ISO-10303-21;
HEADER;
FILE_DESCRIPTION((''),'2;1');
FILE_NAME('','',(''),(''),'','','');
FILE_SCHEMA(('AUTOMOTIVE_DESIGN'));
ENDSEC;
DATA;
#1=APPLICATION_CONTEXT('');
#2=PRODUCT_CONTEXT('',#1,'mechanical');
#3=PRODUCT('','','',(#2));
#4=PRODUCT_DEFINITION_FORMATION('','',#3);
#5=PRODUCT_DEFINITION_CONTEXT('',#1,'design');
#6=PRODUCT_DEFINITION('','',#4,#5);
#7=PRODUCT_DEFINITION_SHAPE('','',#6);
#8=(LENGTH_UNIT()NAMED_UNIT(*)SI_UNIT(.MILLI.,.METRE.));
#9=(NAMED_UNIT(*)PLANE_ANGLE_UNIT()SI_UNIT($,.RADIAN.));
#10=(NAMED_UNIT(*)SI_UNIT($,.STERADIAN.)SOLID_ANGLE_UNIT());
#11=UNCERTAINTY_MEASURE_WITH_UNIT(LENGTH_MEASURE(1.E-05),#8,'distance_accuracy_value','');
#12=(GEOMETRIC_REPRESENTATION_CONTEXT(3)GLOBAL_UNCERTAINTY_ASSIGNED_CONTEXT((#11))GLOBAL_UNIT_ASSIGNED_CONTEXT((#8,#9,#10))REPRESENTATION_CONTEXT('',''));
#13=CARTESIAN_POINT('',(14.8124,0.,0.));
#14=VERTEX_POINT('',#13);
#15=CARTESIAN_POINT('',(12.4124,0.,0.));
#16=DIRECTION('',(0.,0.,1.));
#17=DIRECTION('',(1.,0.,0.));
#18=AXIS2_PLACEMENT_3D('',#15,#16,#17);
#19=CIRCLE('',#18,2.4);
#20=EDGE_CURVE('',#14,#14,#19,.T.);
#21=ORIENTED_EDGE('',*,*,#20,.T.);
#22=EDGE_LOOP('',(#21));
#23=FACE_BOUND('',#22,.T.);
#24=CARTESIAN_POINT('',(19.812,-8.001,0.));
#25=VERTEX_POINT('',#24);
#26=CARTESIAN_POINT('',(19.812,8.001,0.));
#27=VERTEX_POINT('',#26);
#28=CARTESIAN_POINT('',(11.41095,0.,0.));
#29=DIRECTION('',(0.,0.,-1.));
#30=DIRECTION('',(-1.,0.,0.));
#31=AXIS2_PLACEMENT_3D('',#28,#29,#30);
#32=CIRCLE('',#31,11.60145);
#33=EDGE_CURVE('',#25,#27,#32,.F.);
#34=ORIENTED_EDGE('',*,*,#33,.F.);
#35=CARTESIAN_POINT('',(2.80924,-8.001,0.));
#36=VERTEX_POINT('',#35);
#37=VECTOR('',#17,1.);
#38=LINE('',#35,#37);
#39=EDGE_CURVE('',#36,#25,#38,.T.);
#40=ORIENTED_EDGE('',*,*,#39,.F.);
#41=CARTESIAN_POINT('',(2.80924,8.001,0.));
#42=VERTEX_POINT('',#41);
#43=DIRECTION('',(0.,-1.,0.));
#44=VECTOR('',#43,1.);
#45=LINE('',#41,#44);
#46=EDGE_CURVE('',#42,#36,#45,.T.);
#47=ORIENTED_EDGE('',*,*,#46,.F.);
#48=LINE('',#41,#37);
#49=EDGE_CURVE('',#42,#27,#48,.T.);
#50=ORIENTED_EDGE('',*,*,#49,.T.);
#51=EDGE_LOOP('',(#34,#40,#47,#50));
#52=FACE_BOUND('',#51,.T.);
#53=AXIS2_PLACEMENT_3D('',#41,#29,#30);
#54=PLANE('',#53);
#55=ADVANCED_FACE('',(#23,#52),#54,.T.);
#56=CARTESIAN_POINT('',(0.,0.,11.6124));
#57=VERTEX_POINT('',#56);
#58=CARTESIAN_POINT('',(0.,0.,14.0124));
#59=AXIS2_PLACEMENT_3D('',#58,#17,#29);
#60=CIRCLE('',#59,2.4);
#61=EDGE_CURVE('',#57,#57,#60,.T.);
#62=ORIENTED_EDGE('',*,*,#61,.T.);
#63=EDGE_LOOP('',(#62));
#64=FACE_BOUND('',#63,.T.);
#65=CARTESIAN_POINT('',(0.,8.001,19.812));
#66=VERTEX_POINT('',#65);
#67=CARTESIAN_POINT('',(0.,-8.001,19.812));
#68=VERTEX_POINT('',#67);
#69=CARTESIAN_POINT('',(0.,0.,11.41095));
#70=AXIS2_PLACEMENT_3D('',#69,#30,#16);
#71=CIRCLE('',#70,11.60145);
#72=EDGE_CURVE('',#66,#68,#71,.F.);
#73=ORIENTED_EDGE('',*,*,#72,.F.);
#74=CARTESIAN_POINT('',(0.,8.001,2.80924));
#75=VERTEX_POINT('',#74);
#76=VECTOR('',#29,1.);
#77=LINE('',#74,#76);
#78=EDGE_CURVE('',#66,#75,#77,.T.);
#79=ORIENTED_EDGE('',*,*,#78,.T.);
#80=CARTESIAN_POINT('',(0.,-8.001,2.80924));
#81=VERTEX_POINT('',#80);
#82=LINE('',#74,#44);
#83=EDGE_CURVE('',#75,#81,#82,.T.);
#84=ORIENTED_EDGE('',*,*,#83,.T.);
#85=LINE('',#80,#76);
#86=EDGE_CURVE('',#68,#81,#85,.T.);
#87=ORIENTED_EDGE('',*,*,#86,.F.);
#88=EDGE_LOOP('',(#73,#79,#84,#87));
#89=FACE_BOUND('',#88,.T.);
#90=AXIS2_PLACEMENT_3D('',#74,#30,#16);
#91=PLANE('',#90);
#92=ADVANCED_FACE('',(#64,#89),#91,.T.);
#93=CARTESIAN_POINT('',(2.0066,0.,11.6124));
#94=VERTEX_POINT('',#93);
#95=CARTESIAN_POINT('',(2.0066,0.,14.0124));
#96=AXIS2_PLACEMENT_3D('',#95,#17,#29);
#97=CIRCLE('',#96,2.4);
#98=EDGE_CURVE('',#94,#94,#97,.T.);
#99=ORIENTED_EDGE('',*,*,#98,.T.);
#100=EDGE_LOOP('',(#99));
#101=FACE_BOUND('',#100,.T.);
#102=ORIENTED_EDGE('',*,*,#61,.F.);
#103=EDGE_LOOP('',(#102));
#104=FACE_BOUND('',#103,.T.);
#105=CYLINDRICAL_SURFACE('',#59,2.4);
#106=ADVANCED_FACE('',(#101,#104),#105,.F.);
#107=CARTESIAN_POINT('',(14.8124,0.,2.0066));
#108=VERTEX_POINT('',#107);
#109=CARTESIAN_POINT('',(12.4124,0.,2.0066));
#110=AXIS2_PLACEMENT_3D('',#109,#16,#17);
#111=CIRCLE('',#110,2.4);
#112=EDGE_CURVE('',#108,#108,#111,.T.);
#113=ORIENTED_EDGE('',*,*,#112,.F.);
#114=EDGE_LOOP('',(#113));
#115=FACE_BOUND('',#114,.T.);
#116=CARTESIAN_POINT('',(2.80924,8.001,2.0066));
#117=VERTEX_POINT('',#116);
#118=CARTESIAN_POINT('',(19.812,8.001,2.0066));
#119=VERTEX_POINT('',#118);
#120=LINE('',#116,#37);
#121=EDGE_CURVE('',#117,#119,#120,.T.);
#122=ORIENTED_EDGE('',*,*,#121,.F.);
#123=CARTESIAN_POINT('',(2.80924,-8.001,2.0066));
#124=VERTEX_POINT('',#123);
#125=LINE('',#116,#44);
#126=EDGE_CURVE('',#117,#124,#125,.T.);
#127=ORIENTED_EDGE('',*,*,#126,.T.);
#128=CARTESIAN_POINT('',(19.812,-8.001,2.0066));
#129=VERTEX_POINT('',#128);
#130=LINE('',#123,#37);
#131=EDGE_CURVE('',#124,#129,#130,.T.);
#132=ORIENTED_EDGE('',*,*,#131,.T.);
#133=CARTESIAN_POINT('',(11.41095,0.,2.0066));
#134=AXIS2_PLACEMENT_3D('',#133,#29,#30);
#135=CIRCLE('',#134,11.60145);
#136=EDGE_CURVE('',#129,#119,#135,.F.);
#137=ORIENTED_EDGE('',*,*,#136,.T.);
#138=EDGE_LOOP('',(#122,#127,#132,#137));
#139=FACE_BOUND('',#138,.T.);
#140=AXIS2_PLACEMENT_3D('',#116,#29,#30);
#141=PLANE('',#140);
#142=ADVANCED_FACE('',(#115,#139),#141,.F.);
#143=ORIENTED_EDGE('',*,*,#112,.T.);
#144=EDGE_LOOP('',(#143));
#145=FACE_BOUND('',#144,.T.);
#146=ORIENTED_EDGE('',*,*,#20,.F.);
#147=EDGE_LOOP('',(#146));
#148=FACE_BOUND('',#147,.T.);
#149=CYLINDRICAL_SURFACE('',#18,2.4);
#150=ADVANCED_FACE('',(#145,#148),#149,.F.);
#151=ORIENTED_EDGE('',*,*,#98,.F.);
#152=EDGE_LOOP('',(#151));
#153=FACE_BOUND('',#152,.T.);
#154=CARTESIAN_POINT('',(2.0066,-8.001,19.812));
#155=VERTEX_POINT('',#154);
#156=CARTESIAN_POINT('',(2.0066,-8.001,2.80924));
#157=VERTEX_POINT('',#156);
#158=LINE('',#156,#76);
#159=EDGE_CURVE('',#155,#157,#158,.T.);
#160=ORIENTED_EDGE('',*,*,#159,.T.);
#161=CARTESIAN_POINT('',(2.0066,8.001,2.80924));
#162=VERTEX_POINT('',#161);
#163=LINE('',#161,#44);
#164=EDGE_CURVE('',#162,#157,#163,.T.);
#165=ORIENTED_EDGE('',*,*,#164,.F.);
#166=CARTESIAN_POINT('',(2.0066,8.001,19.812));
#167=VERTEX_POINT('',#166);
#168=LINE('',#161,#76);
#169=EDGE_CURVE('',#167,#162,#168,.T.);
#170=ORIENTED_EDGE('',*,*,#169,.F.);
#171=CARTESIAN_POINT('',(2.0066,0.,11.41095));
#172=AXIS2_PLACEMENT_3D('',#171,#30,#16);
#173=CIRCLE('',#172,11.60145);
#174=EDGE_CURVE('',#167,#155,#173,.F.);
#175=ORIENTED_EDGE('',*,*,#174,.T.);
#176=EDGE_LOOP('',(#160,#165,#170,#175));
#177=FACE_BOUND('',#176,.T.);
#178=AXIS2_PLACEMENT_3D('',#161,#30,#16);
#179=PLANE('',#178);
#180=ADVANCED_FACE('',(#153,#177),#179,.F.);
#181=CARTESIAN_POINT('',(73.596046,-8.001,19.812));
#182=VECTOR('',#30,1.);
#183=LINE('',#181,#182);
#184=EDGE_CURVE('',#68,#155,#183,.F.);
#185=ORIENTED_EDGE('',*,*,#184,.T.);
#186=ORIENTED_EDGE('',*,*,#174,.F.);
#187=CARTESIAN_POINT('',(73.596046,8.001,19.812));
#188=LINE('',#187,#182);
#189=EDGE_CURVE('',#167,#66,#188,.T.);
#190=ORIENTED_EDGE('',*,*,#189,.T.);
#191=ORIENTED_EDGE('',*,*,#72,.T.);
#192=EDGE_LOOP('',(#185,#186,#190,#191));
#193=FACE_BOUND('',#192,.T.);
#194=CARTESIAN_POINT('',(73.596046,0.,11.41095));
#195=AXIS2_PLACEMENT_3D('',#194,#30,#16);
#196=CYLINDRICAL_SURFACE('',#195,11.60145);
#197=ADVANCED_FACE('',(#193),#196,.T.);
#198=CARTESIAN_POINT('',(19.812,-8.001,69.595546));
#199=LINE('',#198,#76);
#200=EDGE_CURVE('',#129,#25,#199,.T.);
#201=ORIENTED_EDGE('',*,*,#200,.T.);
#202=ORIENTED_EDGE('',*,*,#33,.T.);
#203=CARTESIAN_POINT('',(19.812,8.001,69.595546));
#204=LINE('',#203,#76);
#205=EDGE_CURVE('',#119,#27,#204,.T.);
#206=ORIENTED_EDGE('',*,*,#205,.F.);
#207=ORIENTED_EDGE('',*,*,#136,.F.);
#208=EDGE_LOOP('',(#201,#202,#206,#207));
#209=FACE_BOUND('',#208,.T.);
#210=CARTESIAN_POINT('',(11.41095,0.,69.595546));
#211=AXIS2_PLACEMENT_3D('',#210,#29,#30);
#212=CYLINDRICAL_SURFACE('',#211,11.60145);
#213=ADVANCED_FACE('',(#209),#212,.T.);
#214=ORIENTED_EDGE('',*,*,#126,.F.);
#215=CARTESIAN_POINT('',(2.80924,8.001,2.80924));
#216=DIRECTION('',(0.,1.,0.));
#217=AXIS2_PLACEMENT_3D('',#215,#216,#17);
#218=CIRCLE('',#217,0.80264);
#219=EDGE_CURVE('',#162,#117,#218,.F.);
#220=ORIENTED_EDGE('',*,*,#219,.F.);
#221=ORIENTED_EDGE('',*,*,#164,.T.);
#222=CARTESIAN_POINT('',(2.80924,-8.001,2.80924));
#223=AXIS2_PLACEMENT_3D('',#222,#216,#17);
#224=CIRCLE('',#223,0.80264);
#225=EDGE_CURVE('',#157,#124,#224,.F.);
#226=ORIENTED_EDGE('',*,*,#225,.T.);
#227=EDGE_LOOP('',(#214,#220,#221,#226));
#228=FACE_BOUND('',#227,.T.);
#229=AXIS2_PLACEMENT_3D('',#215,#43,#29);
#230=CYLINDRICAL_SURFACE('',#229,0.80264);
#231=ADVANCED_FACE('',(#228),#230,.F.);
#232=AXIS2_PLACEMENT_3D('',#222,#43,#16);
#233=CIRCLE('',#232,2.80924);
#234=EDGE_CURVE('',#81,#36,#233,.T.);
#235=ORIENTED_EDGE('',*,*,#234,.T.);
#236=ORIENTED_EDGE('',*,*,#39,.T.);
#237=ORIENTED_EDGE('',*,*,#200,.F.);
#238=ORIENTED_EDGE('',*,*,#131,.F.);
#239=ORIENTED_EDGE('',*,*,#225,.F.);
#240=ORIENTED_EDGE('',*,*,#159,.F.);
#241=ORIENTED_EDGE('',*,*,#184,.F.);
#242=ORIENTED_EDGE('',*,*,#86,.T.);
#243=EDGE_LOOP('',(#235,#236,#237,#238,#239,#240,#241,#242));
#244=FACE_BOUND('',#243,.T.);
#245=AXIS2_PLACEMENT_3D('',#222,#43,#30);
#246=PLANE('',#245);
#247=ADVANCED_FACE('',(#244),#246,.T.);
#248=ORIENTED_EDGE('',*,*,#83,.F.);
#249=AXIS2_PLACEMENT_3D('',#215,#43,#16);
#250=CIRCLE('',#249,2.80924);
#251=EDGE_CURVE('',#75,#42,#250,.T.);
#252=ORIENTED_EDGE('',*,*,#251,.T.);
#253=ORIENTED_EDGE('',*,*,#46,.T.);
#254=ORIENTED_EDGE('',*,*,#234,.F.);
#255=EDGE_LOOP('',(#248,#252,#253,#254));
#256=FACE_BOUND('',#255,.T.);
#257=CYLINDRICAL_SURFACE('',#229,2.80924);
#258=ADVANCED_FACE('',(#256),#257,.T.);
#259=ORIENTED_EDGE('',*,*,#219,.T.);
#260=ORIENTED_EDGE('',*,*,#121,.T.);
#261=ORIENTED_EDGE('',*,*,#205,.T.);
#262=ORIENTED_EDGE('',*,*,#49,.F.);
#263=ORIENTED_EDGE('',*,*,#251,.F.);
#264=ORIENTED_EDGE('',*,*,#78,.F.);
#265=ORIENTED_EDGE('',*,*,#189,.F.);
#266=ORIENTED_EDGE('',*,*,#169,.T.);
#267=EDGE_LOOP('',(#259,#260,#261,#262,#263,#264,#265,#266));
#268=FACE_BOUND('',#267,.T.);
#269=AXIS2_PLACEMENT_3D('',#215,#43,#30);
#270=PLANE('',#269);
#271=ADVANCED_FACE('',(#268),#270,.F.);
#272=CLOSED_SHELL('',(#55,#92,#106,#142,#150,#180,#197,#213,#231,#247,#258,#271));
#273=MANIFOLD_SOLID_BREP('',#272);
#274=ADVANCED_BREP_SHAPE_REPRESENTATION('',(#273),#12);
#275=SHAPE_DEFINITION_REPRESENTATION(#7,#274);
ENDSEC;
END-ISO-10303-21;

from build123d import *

# Parameters (mm, degrees)
EXTRUDE_THIN1_DEPTH     = 8.001
CUT_EXTRUDE1_DEPTH      = 22.0058
CUT_EXTRUDE1_DEPTH_BACK = 3.0066
SKETCH7_R               = 2.4
CUT_EXTRUDE3_DEPTH      = 3.0066
CUT_EXTRUDE2_DEPTH      = 22.0058
CUT_EXTRUDE2_DEPTH_BACK = 3.0066
SKETCH8_R               = 2.4
CUT_EXTRUDE4_DEPTH      = 3.0066


with BuildPart() as part:
    # Sketch4 → Extrude-Thin1 (new body, symmetric)
    with BuildSketch(Plane(origin=(0, 0, 0), x_dir=(1, 0, 0), z_dir=(0, 1, 0))):
        with BuildLine():
            Line((23.0124, 0), (2.80924, 0))
            ThreePointArc((2.80924, 0), (0.822807346, -0.822807346), (0, -2.80924))
            Line((0, -2.80924), (0, -23.0124))
            Line((0, -23.0124), (2.0066, -23.0124))
            Line((2.0066, -23.0124), (2.0066, -2.80924))
            ThreePointArc((2.0066, -2.80924), (2.241687813, -2.241687813), (2.80924, -2.0066))
            Line((2.80924, -2.0066), (23.0124, -2.0066))
            Line((23.0124, -2.0066), (23.0124, 0))
        make_face()
    extrude(amount=EXTRUDE_THIN1_DEPTH, both=True)

    # Sketch5 → Cut-Extrude1 (cut, two sides)
    with BuildSketch(Plane(origin=(2.0066, 0, 0), x_dir=(0, 0, -1), z_dir=(1, 0, 0))) as cut_extrude1_sk:
        with BuildLine():
            Line((22.211753172, 52.125940831), (-19.812, 8.001))
            ThreePointArc((-19.812, 8.001), (-23.0124, 0), (-19.812, -8.001))
            Line((-19.812, -8.001), (22.211753172, -52.125940831))
            Line((22.211753172, -52.125940831), (-99.657131027, -52.125940831))
            Line((-99.657131027, -52.125940831), (-99.657131027, 52.125940831))
            Line((-99.657131027, 52.125940831), (22.211753172, 52.125940831))
        make_face()
    extrude(amount=CUT_EXTRUDE1_DEPTH, mode=Mode.SUBTRACT)
    extrude(cut_extrude1_sk.sketch, amount=-CUT_EXTRUDE1_DEPTH_BACK, mode=Mode.SUBTRACT)

    # Sketch7 → Cut-Extrude3 (cut, through all)
    with BuildSketch(Plane(origin=(2.0066, 0, 0), x_dir=(0, 0, -1), z_dir=(1, 0, 0))):
        with Locations((-14.0124, 0)):
            Circle(SKETCH7_R)
    extrude(amount=-CUT_EXTRUDE3_DEPTH, mode=Mode.SUBTRACT)

    # Sketch6 → Cut-Extrude2 (cut, two sides)
    with BuildSketch(Plane.XY.offset(2.0066)) as cut_extrude2_sk:
        with BuildLine():
            Line((-22.211753172, -52.125940831), (19.812, -8.001))
            ThreePointArc((19.812, -8.001), (23.0124, 0), (19.812, 8.001))
            Line((19.812, 8.001), (-22.211753172, 52.125940831))
            Line((-22.211753172, 52.125940831), (99.657131027, 52.125940831))
            Line((99.657131027, 52.125940831), (99.657131027, -52.125940831))
            Line((99.657131027, -52.125940831), (-22.211753172, -52.125940831))
        make_face()
    extrude(amount=CUT_EXTRUDE2_DEPTH, mode=Mode.SUBTRACT)
    extrude(cut_extrude2_sk.sketch, amount=-CUT_EXTRUDE2_DEPTH_BACK, mode=Mode.SUBTRACT)

    # Sketch8 → Cut-Extrude4 (cut, through all)
    with BuildSketch(Plane.XY.offset(2.0066)):
        with Locations((12.4124, 0)):
            Circle(SKETCH8_R)
    extrude(amount=-CUT_EXTRUDE4_DEPTH, mode=Mode.SUBTRACT)


solid = part.part
